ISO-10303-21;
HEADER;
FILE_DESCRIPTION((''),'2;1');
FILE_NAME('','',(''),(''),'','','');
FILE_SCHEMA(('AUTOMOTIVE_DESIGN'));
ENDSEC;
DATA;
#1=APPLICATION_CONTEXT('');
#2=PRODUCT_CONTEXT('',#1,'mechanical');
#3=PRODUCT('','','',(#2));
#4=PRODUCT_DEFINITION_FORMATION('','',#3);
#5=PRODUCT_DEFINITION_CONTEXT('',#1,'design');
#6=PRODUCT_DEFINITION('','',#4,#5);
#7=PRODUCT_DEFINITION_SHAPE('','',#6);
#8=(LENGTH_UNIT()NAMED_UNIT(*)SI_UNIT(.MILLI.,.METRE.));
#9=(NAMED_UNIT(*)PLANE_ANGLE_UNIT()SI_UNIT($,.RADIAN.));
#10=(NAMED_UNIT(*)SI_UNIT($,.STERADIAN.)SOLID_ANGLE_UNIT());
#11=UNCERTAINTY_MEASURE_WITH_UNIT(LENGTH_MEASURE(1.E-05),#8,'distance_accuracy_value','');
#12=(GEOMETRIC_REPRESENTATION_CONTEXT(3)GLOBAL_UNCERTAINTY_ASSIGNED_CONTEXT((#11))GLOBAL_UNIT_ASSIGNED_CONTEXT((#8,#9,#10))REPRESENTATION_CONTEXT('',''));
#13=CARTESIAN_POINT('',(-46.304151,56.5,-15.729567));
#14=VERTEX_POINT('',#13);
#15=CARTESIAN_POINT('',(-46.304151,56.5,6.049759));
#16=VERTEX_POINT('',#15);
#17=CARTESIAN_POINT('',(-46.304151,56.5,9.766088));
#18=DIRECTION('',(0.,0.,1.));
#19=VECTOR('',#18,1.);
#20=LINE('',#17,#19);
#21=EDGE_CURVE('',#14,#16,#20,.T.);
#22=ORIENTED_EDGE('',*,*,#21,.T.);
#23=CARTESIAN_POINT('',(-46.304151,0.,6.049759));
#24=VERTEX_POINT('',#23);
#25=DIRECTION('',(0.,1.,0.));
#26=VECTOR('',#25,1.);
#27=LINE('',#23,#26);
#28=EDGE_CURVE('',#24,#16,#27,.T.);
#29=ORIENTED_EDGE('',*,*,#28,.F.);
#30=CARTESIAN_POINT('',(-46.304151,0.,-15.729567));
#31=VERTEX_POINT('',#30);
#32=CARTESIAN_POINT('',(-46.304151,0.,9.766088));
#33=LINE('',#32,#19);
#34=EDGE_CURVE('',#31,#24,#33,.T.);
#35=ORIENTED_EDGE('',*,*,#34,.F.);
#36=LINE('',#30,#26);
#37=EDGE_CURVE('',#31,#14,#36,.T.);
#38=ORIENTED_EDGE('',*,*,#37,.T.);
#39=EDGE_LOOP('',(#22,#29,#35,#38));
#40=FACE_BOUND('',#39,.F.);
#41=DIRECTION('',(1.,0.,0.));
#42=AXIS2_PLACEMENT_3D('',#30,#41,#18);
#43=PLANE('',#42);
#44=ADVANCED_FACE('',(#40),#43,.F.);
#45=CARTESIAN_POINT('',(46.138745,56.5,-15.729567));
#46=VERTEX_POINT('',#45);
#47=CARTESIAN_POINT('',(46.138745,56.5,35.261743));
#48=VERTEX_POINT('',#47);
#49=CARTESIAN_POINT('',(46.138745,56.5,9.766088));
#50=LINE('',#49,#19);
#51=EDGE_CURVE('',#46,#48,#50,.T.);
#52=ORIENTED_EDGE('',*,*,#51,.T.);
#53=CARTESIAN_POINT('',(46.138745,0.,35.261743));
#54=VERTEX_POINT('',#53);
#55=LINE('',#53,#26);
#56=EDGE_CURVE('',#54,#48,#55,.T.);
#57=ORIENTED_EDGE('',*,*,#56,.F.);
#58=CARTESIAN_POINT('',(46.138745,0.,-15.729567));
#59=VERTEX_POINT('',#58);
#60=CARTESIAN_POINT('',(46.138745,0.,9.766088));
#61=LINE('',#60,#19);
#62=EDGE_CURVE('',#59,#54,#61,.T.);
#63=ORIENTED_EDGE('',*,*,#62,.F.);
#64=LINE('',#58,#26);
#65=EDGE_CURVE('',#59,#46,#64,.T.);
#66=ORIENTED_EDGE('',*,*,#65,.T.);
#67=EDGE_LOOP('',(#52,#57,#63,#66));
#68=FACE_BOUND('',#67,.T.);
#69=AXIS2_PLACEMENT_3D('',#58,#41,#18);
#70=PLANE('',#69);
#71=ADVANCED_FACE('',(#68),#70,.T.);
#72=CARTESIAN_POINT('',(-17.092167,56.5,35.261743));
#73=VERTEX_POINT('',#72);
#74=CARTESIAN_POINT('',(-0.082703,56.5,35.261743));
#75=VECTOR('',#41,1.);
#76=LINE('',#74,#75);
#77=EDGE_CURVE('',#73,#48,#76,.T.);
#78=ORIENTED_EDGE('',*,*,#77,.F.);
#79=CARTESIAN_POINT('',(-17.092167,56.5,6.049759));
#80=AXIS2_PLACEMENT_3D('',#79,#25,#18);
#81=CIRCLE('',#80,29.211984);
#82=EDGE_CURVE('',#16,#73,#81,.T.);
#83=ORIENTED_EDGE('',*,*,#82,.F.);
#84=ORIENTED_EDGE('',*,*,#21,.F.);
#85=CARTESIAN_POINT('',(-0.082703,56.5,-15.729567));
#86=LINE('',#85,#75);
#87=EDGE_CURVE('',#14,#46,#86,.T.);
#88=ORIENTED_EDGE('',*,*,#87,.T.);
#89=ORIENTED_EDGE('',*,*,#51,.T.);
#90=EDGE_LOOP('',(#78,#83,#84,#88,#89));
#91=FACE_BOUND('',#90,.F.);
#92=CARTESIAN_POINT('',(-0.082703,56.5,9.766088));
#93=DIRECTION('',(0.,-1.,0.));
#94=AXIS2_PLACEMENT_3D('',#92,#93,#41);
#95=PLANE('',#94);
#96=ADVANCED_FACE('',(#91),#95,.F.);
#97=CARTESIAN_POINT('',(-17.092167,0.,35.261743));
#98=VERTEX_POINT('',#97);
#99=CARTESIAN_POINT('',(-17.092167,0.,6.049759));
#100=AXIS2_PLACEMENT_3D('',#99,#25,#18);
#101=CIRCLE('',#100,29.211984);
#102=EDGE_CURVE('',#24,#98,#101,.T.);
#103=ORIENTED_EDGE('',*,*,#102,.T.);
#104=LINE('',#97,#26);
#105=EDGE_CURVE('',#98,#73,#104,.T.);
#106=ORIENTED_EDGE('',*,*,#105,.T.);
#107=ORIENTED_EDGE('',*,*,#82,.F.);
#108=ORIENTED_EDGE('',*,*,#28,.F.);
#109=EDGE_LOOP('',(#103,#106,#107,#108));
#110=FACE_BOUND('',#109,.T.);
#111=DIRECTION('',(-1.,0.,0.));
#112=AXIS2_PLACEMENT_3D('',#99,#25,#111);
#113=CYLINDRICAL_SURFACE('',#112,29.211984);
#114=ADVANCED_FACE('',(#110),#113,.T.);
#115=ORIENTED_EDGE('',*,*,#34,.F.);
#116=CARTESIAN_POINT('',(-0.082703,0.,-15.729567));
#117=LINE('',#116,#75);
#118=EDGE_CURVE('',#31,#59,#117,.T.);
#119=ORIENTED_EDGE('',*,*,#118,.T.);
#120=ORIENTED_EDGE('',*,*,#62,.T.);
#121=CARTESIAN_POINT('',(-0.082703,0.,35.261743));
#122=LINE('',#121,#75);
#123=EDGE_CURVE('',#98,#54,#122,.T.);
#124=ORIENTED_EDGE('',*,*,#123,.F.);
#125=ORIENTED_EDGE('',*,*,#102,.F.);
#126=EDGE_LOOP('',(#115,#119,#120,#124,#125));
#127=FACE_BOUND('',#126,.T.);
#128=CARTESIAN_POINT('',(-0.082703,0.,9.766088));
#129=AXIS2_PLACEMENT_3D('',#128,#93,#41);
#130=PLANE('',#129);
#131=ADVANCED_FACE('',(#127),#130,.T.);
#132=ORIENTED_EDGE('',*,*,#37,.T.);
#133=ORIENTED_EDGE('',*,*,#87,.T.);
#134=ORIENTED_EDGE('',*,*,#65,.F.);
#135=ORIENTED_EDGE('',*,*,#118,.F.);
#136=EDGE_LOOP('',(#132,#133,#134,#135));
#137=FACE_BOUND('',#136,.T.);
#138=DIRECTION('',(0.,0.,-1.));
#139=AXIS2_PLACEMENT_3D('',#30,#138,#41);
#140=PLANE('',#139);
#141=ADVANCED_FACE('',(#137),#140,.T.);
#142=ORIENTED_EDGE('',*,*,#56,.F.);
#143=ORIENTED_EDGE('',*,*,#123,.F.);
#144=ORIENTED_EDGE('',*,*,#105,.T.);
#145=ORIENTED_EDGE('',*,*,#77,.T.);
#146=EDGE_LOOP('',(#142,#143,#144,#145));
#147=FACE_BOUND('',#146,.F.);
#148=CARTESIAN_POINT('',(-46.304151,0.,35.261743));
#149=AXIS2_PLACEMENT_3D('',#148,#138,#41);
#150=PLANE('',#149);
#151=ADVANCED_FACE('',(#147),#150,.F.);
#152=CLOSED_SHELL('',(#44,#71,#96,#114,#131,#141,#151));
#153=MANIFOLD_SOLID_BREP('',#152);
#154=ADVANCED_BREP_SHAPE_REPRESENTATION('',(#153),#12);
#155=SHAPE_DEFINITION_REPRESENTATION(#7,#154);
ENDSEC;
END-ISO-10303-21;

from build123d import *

# Parameters (mm, degrees)
F0_W     = 92.442896
F0_H     = 50.99131
F1_DEPTH = 56.5
F2_R     = 29.211984


with BuildPart() as f1:
    # F0 (on Front) → F1 (new body)
    with BuildSketch(Plane.XZ):
        with Locations((-0.082703, 9.766088)):
            Rectangle(F0_W, F0_H)
    extrude(amount=-F1_DEPTH)

    # F2
    f2_edges = [f1.edges().sort_by_distance(p)[0] for p in [
        (-46.304151, 28.25, 35.261743),
    ]]
    fillet(f2_edges, radius=F2_R)


solid = f1.part
